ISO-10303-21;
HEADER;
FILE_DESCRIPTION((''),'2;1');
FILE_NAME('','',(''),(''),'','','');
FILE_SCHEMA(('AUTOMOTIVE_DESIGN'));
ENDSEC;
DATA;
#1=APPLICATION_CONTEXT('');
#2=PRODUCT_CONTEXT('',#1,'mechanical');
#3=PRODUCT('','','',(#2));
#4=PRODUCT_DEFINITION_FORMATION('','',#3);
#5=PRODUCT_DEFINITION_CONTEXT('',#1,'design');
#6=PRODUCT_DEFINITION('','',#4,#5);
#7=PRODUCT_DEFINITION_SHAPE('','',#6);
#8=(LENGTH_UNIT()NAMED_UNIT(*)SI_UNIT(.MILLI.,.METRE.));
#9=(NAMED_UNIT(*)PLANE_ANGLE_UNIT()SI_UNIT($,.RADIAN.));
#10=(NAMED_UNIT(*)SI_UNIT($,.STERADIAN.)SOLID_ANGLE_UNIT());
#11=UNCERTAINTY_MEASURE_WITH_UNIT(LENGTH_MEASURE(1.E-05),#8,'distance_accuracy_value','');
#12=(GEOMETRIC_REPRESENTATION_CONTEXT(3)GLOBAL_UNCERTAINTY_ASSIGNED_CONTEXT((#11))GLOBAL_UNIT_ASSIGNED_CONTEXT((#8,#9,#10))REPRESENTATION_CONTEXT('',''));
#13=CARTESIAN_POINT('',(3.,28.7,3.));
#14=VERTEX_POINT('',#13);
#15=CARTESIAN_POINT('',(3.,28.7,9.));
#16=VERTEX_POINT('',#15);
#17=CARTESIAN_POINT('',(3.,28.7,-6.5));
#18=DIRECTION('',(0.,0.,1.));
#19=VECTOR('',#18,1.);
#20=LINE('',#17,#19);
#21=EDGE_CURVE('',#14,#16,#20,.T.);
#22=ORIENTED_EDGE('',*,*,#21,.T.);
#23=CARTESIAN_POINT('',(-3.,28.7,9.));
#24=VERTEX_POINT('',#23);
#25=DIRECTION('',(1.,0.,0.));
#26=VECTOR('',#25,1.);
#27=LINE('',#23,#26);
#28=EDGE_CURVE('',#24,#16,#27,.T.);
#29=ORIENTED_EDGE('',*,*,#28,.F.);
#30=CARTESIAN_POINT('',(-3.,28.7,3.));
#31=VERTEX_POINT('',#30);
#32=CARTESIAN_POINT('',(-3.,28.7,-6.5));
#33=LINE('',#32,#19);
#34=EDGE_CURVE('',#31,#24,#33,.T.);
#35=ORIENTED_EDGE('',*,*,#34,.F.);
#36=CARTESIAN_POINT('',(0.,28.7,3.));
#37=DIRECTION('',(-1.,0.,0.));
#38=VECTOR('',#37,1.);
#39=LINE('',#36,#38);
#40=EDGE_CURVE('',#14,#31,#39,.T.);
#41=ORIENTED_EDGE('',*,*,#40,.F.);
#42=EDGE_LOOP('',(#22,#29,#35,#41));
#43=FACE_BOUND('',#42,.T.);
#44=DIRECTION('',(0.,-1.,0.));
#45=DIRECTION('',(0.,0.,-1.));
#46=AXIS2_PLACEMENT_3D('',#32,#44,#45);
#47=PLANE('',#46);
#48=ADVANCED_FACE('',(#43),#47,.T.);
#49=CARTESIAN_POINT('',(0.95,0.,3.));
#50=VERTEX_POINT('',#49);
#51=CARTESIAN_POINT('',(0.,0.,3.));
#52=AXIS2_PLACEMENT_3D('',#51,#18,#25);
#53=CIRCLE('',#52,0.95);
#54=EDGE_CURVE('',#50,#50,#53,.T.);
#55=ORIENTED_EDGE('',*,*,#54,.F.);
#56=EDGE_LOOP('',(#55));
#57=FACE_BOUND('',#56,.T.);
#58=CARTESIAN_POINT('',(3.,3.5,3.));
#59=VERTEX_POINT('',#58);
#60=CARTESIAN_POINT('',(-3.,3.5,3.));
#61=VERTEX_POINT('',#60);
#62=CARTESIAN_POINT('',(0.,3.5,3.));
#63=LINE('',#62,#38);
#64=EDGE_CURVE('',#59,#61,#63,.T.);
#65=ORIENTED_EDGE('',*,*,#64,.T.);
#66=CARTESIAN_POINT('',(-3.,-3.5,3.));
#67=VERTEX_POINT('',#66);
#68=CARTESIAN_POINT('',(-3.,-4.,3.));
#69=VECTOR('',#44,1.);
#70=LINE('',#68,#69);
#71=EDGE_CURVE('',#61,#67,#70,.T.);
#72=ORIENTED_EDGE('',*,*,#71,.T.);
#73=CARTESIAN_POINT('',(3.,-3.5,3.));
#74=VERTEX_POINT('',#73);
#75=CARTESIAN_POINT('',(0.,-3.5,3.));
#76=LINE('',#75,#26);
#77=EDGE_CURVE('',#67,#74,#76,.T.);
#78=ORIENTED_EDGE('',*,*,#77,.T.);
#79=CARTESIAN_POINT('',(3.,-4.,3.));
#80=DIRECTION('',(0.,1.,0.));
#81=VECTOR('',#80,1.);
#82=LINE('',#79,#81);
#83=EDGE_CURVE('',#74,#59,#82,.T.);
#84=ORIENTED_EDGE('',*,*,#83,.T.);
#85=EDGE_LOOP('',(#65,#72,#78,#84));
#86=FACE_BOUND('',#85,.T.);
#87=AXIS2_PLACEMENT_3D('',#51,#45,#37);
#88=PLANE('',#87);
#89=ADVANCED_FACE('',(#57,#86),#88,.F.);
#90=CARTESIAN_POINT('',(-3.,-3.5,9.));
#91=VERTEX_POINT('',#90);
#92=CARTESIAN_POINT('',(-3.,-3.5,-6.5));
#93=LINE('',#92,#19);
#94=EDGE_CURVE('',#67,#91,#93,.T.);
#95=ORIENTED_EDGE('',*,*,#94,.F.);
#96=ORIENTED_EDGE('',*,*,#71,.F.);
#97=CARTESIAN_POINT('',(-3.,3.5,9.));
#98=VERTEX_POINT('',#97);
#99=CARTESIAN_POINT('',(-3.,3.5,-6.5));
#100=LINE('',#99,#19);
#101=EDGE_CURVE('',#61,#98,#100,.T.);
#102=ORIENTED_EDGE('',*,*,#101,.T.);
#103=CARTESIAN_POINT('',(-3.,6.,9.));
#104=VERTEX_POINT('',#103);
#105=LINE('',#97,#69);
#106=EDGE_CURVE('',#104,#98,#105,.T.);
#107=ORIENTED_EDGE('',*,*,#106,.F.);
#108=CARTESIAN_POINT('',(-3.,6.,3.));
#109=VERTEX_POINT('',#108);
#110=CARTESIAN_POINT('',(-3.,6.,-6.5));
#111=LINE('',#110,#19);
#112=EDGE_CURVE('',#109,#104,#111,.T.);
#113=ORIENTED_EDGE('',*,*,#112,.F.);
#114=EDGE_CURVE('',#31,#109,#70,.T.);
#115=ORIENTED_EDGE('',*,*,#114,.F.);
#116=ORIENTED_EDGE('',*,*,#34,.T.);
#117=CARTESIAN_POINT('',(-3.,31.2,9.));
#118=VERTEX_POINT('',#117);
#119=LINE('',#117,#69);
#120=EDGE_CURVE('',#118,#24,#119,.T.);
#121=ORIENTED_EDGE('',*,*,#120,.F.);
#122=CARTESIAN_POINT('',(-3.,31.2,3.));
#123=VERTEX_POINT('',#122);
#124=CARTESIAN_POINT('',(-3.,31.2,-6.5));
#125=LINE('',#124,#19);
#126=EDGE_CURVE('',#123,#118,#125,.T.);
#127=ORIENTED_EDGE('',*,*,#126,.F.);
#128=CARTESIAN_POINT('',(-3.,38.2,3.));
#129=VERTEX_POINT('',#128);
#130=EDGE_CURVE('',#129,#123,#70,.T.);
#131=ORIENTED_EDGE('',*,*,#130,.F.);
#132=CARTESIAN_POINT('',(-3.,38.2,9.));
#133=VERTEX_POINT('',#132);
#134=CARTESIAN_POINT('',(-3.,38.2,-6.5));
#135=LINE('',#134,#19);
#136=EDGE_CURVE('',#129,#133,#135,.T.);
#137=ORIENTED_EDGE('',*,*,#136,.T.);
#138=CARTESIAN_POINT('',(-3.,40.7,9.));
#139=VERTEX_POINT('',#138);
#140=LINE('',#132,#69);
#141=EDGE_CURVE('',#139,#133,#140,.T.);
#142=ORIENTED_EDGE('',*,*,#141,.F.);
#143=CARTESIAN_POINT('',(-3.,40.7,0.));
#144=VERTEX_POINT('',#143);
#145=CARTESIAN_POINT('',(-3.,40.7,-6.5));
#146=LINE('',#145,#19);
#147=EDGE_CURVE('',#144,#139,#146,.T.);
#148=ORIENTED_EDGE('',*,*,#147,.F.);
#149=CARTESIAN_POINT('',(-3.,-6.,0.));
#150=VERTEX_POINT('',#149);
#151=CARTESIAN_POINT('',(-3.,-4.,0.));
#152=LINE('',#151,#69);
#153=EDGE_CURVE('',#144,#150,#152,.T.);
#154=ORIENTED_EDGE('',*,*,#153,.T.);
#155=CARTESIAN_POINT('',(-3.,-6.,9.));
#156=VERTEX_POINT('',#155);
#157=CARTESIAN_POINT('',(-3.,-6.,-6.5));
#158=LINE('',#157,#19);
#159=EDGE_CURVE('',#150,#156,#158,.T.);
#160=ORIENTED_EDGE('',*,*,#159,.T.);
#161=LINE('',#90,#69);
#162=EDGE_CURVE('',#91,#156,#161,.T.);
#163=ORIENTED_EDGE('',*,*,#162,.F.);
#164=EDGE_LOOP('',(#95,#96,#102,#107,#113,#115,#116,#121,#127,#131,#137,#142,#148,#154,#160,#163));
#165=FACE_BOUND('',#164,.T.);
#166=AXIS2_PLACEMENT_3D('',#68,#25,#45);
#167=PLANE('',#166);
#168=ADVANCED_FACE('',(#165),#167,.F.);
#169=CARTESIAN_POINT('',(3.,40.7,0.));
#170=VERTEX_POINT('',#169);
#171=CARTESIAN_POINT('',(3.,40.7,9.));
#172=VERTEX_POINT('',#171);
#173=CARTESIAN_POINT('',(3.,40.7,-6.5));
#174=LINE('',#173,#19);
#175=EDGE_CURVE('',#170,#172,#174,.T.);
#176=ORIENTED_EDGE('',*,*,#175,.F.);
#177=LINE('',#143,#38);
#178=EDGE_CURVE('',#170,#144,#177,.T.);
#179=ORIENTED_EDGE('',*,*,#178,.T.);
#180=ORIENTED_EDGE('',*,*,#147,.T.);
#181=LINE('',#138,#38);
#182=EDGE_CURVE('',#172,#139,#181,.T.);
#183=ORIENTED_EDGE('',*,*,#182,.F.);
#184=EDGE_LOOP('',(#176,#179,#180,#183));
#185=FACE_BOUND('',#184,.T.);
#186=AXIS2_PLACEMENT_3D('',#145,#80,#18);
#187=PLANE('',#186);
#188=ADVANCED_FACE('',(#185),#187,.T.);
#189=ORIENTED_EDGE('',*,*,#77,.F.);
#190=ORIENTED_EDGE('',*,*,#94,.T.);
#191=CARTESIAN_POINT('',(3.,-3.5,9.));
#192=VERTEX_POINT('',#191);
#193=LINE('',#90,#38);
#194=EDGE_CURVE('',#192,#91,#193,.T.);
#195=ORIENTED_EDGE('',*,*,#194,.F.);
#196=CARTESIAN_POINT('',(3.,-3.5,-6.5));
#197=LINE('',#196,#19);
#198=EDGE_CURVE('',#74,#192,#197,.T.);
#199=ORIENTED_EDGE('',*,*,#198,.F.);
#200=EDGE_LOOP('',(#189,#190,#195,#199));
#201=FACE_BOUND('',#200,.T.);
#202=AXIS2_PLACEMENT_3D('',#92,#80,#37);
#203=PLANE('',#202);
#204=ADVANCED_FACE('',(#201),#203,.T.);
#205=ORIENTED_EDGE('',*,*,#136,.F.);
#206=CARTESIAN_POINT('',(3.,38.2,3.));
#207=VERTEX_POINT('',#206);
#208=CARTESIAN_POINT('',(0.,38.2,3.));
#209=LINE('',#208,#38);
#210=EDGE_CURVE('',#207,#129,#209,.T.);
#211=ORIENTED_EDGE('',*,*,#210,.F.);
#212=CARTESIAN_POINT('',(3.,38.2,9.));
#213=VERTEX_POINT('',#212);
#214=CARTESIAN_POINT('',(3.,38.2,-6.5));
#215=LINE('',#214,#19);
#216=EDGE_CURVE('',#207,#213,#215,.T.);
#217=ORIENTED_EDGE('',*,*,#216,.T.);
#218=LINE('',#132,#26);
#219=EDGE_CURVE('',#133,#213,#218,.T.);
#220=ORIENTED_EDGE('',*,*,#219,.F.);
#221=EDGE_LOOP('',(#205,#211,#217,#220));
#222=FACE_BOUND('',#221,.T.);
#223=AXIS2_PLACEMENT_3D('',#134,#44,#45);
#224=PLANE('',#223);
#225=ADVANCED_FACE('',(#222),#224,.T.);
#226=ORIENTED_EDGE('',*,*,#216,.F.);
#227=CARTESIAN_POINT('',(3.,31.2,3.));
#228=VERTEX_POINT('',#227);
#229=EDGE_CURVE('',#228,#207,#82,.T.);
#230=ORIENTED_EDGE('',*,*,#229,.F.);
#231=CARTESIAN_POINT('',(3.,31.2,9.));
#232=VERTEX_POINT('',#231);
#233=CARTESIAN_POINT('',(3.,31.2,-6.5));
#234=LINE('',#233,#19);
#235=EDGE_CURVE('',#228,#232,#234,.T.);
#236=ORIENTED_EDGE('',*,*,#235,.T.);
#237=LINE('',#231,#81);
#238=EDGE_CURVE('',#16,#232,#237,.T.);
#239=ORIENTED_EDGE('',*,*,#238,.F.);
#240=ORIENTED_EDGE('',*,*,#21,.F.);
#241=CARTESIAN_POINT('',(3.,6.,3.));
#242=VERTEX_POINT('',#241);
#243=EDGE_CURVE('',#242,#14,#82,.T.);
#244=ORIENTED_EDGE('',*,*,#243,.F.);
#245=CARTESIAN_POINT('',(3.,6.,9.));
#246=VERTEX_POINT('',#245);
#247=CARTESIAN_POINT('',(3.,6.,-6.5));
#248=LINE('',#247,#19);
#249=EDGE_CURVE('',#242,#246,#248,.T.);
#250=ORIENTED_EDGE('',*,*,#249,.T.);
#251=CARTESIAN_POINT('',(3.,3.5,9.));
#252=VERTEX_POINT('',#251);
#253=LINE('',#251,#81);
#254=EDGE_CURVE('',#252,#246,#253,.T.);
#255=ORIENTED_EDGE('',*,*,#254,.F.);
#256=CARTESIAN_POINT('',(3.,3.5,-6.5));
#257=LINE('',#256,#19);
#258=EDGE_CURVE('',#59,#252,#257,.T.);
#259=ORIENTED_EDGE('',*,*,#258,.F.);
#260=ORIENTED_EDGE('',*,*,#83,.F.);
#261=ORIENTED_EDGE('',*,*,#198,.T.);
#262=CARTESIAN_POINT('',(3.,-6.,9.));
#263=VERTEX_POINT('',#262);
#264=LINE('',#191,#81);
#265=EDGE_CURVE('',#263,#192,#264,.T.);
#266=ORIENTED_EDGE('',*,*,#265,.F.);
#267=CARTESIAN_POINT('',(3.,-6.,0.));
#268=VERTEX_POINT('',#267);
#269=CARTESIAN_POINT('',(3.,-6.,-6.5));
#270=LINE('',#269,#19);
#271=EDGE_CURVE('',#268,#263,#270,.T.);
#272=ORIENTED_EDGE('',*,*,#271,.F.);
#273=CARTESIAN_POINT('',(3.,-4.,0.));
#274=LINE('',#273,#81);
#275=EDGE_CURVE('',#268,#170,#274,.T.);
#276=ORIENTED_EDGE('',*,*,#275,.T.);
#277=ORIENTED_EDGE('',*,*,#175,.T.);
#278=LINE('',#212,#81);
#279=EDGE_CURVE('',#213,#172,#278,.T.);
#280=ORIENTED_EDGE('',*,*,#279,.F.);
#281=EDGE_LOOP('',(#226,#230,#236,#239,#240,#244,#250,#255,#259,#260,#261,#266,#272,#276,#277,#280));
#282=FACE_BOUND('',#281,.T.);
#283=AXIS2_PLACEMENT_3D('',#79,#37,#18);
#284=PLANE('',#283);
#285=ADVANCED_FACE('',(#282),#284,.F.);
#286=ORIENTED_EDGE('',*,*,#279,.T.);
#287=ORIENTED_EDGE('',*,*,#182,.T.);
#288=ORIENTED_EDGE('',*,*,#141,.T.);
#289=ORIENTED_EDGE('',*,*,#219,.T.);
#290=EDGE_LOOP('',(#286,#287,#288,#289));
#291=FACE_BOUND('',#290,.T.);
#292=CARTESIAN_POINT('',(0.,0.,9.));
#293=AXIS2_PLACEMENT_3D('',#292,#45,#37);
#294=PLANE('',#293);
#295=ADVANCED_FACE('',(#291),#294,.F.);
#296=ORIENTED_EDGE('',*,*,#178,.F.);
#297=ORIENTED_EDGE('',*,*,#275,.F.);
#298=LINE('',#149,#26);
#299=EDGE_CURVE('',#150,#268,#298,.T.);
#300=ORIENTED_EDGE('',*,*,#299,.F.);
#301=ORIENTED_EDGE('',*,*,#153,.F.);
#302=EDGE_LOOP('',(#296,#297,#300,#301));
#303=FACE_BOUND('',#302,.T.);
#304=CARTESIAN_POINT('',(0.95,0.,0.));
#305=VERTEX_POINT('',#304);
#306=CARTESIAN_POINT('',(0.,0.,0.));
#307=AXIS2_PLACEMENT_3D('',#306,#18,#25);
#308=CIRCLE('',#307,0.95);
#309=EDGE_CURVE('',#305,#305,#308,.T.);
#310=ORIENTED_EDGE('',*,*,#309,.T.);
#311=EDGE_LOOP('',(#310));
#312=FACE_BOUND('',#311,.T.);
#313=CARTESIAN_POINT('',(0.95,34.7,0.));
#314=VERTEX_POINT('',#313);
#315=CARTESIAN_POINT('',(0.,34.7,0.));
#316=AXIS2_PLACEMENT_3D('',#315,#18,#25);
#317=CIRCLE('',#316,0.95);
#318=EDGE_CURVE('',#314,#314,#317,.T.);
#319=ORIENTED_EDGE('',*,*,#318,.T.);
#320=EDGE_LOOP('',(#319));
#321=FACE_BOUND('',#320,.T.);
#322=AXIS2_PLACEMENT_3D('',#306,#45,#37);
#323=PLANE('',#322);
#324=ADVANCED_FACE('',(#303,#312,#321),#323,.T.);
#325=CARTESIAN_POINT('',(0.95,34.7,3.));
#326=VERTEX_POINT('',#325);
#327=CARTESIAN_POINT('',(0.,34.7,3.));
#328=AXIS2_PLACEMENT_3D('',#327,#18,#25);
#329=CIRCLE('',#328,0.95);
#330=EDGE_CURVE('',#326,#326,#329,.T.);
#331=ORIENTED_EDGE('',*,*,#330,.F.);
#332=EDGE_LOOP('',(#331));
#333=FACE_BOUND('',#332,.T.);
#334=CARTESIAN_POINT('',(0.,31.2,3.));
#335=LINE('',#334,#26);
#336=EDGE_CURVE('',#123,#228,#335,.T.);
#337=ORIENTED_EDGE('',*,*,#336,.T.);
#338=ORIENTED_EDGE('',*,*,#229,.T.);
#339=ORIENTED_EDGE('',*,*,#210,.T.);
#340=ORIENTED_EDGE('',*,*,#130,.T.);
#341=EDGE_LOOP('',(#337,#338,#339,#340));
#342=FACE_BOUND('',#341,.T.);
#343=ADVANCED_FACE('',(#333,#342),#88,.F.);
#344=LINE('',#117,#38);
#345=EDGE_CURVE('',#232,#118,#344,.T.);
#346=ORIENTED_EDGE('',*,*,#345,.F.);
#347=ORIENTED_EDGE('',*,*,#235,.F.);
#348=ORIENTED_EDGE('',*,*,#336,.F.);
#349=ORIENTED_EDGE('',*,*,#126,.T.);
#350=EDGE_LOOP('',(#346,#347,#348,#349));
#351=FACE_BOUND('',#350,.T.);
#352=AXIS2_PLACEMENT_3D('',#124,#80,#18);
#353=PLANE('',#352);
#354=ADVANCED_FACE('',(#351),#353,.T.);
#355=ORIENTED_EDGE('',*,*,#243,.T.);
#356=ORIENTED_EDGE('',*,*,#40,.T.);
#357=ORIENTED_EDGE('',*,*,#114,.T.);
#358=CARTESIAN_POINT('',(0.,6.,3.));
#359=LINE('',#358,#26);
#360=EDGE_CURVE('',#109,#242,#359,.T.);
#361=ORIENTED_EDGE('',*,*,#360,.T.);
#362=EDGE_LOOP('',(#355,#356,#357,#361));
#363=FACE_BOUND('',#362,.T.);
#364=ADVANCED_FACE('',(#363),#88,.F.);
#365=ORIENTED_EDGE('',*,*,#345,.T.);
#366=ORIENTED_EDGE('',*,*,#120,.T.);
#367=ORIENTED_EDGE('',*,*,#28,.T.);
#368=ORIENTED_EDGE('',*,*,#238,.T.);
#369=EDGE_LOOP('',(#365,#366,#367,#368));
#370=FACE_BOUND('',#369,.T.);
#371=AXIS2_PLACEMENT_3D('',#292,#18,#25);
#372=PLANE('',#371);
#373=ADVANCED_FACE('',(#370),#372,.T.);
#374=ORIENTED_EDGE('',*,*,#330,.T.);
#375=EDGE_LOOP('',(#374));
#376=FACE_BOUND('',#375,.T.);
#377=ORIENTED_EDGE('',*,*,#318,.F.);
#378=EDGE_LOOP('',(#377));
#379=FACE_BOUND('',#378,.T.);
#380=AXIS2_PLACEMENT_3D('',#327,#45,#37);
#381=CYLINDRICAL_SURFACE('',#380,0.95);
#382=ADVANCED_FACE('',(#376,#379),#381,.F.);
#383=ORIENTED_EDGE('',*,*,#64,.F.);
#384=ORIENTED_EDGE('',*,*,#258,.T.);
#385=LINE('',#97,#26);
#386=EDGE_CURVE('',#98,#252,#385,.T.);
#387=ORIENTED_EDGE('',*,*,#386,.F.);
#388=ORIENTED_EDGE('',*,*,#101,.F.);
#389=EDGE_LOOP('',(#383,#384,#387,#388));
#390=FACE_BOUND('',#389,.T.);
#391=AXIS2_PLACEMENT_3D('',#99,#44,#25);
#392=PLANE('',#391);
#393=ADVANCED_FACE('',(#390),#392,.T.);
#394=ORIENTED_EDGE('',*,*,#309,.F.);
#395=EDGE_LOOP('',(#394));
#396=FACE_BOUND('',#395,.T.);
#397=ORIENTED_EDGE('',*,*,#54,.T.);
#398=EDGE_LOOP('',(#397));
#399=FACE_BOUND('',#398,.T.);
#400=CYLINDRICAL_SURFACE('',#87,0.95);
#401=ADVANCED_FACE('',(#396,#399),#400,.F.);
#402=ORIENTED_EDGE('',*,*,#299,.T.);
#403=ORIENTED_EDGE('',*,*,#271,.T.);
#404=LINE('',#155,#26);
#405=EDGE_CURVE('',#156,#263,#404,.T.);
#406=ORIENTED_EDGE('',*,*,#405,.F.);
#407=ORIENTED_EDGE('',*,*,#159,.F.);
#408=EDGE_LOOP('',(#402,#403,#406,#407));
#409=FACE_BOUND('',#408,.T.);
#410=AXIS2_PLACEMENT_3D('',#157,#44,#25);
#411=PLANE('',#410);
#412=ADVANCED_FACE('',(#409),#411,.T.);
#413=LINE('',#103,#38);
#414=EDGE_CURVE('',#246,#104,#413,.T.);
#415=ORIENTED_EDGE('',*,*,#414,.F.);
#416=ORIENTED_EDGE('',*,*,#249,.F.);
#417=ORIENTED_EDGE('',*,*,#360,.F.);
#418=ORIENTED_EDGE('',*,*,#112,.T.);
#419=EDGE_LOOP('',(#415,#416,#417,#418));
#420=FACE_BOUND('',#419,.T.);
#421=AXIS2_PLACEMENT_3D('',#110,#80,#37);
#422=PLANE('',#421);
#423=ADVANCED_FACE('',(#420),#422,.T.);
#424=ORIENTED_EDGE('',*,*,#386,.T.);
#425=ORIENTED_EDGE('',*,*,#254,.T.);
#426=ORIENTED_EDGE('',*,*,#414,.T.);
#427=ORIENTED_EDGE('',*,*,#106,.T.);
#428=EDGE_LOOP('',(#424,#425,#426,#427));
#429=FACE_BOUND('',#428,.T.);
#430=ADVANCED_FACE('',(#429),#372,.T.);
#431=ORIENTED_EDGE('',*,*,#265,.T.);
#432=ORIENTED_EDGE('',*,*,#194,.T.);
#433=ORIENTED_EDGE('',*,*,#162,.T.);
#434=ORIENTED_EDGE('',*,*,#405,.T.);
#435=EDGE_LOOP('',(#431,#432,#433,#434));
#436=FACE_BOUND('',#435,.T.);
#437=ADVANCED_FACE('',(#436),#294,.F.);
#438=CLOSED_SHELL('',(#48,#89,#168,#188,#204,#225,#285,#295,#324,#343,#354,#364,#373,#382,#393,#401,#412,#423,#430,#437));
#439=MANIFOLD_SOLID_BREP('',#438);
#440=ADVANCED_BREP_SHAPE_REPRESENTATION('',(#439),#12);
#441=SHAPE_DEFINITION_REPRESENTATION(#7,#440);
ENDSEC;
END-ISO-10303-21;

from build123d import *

# Parameters (mm, degrees)
ESQUISSE1_W                    = 6
ESQUISSE1_H                    = 42.7
ESQUISSE1_R                    = 0.95
BOSS_EXTRU_1_DEPTH             = 3
ESQUISSE2_W                    = 6
ESQUISSE2_H                    = 2.5
BOSS_EXTRU_2_DEPTH             = 6
BOSS_EXTRU_2_DIRECTION_2_REACH = 40.932


with BuildPart() as part:
    # Esquisse1 → Boss.-Extru.1 (new body)
    with BuildSketch(Plane.XY):
        with Locations((0, 17.35)):
            Rectangle(ESQUISSE1_W, ESQUISSE1_H)
        Circle(ESQUISSE1_R, mode=Mode.SUBTRACT)
        with Locations((0, 34.7)):
            Circle(ESQUISSE1_R, mode=Mode.SUBTRACT)
    extrude(amount=BOSS_EXTRU_1_DEPTH)

    # Esquisse2 → Boss.-Extru.2 (add)
    with BuildSketch(Plane.XY.offset(3)):
        with Locations((0, 4.75)):
            Rectangle(ESQUISSE2_W, ESQUISSE2_H)
        with Locations((0, 39.45)):
            Rectangle(ESQUISSE2_W, ESQUISSE2_H)
        with Locations((0, 29.95)):
            Rectangle(ESQUISSE2_W, ESQUISSE2_H)
        with Locations((0, -4.75)):
            Rectangle(ESQUISSE2_W, ESQUISSE2_H)
    extrude(amount=BOSS_EXTRU_2_DEPTH)

    # Boss.-Extru.2 direction 2: up to this face of the body (flat: up to its plane)
    boss_extru_2_direction_2_end = Plane(part.part.faces().sort_by_distance((0, 17.35, 0))[0])
    # Esquisse2 → Boss.-Extru.2 direction 2 (add, up to the picked face)
    with BuildSketch(Plane.XY.offset(3), mode=Mode.PRIVATE) as boss_extru_2_direction_2_sk1:
        with Locations((0, 4.75)):
            Rectangle(ESQUISSE2_W, ESQUISSE2_H)
    boss_extru_2_direction_2_tool1 = split(extrude(boss_extru_2_direction_2_sk1.sketch, amount=-BOSS_EXTRU_2_DIRECTION_2_REACH, mode=Mode.PRIVATE), bisect_by=boss_extru_2_direction_2_end, keep=Keep.BOTH, mode=Mode.PRIVATE)
    # Esquisse2 → Boss.-Extru.2 direction 2 (add, up to the picked face)
    with BuildSketch(Plane.XY.offset(3), mode=Mode.PRIVATE) as boss_extru_2_direction_2_sk2:
        with Locations((0, 39.45)):
            Rectangle(ESQUISSE2_W, ESQUISSE2_H)
    boss_extru_2_direction_2_tool2 = split(extrude(boss_extru_2_direction_2_sk2.sketch, amount=-BOSS_EXTRU_2_DIRECTION_2_REACH, mode=Mode.PRIVATE), bisect_by=boss_extru_2_direction_2_end, keep=Keep.BOTH, mode=Mode.PRIVATE)
    # Esquisse2 → Boss.-Extru.2 direction 2 (add, up to the picked face)
    with BuildSketch(Plane.XY.offset(3), mode=Mode.PRIVATE) as boss_extru_2_direction_2_sk3:
        with Locations((0, 29.95)):
            Rectangle(ESQUISSE2_W, ESQUISSE2_H)
    boss_extru_2_direction_2_tool3 = split(extrude(boss_extru_2_direction_2_sk3.sketch, amount=-BOSS_EXTRU_2_DIRECTION_2_REACH, mode=Mode.PRIVATE), bisect_by=boss_extru_2_direction_2_end, keep=Keep.BOTH, mode=Mode.PRIVATE)
    # Esquisse2 → Boss.-Extru.2 direction 2 (add, up to the picked face)
    with BuildSketch(Plane.XY.offset(3), mode=Mode.PRIVATE) as boss_extru_2_direction_2_sk4:
        with Locations((0, -4.75)):
            Rectangle(ESQUISSE2_W, ESQUISSE2_H)
    boss_extru_2_direction_2_tool4 = split(extrude(boss_extru_2_direction_2_sk4.sketch, amount=-BOSS_EXTRU_2_DIRECTION_2_REACH, mode=Mode.PRIVATE), bisect_by=boss_extru_2_direction_2_end, keep=Keep.BOTH, mode=Mode.PRIVATE)
    add(boss_extru_2_direction_2_tool1.solids().sort_by(Axis((0, 4.75, 3), (0, 0, -1)))[0])
    add(boss_extru_2_direction_2_tool2.solids().sort_by(Axis((0, 39.45, 3), (0, 0, -1)))[0])
    add(boss_extru_2_direction_2_tool3.solids().sort_by(Axis((0, 29.95, 3), (0, 0, -1)))[0])
    add(boss_extru_2_direction_2_tool4.solids().sort_by(Axis((0, -4.75, 3), (0, 0, -1)))[0])


solid = part.part
